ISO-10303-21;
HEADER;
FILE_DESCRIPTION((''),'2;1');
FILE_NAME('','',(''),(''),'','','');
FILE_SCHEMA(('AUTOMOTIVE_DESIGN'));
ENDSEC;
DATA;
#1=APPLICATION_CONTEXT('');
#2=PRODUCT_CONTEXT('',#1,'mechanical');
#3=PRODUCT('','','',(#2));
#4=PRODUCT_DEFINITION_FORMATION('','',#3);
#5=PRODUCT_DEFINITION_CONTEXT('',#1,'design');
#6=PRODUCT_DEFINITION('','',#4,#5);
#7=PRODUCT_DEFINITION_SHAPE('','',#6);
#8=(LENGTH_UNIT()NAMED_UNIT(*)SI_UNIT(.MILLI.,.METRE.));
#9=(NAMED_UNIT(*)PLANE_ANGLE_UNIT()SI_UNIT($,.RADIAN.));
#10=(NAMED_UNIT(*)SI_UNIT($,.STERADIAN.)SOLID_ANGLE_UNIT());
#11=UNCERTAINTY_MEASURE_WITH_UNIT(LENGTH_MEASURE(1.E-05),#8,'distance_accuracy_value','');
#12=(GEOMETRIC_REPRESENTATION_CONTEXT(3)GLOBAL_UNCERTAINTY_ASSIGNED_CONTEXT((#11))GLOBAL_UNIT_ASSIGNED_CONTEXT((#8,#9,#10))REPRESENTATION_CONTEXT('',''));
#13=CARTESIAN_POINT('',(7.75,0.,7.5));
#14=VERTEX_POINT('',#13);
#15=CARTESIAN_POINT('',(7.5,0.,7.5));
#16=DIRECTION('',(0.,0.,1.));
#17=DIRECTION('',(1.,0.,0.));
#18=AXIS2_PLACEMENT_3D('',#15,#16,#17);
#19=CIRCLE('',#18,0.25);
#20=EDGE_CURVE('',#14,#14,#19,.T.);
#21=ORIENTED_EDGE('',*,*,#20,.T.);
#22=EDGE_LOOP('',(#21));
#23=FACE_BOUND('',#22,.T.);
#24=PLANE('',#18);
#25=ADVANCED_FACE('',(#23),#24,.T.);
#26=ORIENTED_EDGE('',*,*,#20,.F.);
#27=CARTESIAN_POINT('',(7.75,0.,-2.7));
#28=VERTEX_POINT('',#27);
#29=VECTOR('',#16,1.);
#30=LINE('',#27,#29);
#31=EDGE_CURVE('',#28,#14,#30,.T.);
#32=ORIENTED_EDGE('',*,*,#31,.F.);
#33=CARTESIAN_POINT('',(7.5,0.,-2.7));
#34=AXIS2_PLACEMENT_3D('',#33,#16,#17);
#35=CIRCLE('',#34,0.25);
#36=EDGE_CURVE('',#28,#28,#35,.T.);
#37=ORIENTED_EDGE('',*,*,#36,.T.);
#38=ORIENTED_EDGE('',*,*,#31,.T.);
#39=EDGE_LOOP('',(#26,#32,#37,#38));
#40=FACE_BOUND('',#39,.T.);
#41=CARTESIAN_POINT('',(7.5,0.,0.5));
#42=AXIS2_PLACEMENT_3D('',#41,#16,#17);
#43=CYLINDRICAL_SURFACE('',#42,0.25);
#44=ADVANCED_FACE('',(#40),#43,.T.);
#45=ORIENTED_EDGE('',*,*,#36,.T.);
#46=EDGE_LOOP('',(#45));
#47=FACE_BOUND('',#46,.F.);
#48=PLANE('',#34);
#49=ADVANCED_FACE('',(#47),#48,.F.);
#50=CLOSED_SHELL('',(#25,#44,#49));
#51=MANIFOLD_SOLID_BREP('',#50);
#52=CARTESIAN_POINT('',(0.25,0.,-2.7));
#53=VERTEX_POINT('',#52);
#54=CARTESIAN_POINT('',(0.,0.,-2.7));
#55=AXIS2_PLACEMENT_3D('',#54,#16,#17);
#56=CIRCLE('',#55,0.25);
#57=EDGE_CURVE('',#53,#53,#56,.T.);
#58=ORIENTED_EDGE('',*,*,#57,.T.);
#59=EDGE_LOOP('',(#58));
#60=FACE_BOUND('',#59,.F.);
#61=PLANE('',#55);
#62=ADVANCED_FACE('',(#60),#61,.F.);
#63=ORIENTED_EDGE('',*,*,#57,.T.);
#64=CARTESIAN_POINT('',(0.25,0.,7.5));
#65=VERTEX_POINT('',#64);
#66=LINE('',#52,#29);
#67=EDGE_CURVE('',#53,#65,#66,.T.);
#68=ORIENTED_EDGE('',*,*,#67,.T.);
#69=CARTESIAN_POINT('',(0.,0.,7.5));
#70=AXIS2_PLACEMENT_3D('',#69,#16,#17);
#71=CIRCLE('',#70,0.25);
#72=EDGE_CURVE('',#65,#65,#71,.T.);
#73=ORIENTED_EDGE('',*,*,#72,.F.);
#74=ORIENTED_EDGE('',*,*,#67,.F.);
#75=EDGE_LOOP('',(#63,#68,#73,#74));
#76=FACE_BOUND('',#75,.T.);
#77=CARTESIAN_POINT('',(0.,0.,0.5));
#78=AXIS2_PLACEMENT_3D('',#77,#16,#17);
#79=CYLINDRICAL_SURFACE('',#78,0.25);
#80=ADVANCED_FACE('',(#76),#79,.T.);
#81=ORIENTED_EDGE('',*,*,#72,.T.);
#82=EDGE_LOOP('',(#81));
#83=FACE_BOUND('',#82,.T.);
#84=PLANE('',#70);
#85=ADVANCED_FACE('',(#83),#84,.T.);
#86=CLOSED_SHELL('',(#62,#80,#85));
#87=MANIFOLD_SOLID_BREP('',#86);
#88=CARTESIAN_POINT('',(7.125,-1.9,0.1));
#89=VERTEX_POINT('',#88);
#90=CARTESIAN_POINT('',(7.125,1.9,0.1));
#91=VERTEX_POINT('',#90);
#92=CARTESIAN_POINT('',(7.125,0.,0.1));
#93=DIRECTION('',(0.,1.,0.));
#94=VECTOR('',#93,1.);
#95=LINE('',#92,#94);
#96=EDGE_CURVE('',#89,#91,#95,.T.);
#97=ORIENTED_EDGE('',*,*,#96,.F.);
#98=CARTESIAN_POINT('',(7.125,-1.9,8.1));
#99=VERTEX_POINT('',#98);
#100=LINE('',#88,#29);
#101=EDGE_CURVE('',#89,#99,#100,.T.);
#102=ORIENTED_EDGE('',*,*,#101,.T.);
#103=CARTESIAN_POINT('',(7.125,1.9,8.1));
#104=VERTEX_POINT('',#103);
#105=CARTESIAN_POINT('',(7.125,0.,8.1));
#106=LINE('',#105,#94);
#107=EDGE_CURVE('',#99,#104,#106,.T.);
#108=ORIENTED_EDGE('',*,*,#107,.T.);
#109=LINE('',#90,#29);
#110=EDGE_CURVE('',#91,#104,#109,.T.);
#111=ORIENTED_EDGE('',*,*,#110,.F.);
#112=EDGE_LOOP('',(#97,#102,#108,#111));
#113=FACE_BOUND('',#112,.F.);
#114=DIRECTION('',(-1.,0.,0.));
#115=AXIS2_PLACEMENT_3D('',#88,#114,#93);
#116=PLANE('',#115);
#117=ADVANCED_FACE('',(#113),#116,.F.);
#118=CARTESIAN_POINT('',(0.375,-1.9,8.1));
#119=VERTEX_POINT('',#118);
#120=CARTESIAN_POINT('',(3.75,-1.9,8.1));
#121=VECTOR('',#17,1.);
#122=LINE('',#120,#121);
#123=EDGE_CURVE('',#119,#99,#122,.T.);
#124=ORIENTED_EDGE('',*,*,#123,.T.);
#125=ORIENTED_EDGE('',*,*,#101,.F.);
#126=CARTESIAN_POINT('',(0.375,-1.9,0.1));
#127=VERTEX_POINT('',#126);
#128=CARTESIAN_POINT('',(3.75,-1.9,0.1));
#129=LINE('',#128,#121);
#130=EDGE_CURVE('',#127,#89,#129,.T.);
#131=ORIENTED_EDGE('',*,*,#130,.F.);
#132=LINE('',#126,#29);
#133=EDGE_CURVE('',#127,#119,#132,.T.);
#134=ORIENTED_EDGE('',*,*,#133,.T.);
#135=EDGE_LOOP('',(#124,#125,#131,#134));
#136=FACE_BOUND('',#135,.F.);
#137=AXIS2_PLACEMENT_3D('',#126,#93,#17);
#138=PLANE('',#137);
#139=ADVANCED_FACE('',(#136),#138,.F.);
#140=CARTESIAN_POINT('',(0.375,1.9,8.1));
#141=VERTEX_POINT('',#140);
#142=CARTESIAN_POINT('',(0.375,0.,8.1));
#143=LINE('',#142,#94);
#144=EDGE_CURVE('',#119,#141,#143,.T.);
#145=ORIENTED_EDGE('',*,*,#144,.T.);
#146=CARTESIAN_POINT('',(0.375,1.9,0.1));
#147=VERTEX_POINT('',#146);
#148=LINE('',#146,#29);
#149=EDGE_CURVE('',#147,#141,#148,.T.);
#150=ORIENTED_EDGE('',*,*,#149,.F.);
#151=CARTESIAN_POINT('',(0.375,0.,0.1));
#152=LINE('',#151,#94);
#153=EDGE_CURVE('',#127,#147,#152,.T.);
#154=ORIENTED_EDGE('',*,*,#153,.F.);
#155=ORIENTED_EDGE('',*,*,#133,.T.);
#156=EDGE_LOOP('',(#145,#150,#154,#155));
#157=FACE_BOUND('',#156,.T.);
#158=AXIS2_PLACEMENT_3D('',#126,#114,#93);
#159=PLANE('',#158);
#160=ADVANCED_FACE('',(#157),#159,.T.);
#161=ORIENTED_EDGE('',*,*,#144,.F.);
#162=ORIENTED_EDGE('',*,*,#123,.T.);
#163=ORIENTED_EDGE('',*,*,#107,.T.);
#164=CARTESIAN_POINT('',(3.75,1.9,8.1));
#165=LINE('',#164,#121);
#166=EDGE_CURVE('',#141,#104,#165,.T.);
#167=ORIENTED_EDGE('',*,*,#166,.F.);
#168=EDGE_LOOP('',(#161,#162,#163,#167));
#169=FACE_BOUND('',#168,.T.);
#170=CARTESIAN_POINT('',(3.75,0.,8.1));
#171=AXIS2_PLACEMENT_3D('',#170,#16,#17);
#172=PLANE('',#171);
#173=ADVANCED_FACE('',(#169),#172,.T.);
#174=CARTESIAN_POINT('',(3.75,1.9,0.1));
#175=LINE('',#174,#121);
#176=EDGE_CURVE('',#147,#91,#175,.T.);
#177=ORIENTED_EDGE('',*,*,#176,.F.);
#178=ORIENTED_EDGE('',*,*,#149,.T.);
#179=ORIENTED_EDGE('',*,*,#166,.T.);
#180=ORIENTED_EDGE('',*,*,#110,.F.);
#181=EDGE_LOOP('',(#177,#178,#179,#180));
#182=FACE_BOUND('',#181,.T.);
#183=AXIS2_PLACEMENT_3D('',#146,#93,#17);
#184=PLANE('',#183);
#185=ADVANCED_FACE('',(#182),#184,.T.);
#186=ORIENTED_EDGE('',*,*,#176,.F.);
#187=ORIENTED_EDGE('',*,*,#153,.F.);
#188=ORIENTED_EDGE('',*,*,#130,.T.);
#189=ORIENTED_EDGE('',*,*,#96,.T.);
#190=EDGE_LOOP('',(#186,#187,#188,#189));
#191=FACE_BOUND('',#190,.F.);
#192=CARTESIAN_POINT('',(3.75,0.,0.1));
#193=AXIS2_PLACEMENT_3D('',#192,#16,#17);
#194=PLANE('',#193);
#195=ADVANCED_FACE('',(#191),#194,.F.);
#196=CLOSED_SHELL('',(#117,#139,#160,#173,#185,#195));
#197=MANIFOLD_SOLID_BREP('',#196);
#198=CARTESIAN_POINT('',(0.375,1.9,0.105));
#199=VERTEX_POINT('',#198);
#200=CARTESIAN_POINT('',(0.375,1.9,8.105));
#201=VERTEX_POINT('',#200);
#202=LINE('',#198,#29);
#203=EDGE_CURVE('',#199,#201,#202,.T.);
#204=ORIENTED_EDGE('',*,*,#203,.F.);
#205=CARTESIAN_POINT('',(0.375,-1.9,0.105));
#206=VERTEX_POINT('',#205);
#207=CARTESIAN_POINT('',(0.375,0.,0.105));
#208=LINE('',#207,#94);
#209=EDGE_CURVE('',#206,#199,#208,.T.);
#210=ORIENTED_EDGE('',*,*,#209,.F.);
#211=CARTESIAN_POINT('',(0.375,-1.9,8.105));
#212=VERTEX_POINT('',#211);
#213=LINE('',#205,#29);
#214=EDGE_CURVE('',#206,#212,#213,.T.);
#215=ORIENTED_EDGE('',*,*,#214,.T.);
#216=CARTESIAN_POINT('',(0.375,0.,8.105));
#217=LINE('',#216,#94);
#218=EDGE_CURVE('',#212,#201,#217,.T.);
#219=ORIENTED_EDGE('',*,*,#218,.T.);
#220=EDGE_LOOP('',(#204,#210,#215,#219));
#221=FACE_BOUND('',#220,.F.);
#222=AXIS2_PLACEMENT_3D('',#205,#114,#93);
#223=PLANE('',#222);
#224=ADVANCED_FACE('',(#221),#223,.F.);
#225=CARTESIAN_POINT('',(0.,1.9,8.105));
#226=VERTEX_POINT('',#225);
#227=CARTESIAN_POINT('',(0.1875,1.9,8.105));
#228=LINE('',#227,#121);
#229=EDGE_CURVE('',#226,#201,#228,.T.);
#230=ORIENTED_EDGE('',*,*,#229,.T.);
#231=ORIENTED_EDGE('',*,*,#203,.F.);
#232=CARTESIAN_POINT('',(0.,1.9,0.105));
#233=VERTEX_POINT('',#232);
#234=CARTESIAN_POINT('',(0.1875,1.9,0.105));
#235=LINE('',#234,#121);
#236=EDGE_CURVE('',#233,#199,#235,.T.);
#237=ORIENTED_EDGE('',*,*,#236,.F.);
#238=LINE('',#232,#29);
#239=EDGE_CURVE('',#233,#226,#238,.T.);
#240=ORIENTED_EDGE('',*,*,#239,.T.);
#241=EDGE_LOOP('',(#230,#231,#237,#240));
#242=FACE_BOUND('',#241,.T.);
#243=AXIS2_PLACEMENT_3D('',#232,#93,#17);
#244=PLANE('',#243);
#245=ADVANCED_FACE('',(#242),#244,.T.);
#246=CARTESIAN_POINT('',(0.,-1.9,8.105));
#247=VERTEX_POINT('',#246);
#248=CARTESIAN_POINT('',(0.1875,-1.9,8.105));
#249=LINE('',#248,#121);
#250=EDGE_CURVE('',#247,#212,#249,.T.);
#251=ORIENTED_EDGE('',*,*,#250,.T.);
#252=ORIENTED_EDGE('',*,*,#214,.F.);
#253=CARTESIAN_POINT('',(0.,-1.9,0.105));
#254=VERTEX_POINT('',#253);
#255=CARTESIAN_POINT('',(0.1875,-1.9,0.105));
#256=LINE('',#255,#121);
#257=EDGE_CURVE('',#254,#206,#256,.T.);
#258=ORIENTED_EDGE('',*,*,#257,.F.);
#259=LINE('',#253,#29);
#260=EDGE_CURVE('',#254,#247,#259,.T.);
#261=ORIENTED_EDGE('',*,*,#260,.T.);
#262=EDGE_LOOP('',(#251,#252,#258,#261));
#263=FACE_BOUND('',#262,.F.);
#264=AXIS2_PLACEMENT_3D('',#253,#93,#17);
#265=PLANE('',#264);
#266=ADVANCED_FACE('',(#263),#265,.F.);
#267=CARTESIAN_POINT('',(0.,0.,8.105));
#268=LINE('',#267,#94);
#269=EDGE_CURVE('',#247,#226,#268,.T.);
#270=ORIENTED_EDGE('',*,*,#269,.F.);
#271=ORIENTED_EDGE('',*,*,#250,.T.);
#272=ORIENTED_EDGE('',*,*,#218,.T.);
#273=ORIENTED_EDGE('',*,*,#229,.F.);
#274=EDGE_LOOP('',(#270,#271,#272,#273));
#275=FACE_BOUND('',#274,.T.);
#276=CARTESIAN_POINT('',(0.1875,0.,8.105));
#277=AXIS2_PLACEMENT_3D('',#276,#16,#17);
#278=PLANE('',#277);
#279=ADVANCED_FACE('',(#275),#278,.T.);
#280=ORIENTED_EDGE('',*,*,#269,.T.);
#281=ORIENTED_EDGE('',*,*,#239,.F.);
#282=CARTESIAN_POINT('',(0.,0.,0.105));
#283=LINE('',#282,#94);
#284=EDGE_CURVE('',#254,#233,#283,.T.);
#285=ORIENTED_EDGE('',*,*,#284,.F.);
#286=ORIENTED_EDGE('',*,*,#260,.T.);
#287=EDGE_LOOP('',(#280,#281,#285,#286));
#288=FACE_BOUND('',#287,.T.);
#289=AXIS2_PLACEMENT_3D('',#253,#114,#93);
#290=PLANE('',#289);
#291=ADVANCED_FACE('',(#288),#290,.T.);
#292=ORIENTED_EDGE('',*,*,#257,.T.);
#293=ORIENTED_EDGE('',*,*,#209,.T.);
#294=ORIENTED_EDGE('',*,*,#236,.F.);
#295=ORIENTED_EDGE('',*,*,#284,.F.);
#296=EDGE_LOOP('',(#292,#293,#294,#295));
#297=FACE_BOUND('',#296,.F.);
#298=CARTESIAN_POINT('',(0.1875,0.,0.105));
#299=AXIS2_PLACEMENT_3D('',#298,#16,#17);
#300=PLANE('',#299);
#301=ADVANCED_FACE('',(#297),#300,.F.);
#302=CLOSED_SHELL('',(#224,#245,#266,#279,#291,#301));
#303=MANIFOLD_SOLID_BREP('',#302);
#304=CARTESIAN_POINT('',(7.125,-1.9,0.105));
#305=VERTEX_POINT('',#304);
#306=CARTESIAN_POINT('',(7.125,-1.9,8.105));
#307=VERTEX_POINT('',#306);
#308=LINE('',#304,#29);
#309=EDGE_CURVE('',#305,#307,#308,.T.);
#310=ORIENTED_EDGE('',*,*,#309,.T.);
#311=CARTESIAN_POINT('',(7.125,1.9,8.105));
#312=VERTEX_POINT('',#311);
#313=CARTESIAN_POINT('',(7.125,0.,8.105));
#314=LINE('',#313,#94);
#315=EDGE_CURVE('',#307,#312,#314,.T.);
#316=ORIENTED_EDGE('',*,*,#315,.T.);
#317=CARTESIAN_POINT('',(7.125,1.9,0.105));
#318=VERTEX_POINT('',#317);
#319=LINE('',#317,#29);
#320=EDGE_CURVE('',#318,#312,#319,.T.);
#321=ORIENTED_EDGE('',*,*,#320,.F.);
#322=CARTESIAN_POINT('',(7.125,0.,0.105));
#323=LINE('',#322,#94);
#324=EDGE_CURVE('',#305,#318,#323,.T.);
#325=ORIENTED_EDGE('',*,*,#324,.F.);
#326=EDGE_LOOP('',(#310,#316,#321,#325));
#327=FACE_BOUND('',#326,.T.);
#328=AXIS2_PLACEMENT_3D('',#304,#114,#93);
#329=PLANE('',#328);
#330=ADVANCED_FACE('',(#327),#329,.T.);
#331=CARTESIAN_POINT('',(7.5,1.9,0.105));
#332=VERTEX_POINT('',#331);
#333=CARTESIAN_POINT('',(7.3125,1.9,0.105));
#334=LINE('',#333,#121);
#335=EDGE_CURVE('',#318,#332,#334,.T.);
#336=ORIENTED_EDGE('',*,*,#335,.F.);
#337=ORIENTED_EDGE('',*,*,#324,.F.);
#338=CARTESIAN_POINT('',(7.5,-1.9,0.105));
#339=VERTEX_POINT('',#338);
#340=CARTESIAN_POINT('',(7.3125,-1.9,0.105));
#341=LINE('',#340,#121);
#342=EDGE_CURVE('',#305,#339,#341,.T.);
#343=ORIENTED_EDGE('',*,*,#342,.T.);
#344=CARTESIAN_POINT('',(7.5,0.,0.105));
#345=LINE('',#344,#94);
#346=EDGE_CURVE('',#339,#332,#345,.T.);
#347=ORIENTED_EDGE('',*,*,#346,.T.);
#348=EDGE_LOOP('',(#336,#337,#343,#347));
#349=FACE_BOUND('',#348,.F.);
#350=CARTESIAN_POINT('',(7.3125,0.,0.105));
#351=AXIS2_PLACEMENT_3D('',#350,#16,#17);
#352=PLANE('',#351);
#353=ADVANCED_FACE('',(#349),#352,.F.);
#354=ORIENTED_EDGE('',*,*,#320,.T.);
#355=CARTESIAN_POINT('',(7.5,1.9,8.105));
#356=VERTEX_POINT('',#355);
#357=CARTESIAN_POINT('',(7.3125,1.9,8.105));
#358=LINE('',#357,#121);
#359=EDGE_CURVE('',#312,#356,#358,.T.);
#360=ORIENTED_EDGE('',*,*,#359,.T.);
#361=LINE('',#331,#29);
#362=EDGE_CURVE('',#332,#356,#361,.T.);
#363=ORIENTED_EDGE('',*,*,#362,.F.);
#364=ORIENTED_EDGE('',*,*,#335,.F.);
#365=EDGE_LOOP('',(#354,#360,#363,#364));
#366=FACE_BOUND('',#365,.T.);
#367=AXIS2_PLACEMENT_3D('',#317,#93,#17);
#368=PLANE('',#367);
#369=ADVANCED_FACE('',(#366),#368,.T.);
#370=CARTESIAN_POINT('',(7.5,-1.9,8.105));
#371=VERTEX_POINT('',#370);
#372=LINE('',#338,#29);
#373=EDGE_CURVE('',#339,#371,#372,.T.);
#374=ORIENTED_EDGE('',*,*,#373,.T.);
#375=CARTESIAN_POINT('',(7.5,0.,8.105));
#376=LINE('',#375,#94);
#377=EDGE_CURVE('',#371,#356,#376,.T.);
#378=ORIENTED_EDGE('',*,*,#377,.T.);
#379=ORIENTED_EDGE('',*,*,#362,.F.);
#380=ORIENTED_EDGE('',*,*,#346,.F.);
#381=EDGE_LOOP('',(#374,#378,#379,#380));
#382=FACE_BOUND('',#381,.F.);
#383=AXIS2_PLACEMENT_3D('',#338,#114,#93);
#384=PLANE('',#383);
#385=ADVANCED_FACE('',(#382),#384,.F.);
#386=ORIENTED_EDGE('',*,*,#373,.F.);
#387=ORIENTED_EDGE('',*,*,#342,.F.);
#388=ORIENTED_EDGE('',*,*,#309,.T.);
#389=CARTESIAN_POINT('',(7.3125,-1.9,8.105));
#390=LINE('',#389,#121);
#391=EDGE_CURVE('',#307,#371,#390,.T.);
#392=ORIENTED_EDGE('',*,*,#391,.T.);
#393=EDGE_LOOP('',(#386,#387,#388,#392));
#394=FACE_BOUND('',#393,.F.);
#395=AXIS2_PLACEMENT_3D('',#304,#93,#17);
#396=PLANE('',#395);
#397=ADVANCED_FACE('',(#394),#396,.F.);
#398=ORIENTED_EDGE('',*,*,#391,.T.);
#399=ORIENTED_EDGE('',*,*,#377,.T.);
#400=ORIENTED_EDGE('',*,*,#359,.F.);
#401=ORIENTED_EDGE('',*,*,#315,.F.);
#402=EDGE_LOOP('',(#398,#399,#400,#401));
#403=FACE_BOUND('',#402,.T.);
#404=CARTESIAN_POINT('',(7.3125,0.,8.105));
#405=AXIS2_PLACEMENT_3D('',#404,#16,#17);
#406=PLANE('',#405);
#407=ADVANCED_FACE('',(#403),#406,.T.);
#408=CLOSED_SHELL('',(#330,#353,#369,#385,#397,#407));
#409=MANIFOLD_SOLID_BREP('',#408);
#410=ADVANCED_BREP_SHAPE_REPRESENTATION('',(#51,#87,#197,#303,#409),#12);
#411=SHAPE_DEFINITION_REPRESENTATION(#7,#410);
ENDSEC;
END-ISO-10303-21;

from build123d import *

# Parameters (mm, degrees)
SKETCH_W          = 6.75
SKETCH_H          = 3.8
PAD_DEPTH         = 8
SKETCH001_R       = 0.25
PAD001_DEPTH      = 7
PAD001_DEPTH_BACK = 3.2
SKETCH002_W       = 0.375
SKETCH002_H       = 3.8
PAD002_DEPTH      = 8


with BuildPart() as pad:
    # Sketch → Pad (new body)
    with BuildSketch(Plane.XY.offset(0.1)):
        with Locations((3.75, 0)):
            Rectangle(SKETCH_W, SKETCH_H)
    extrude(amount=PAD_DEPTH)


with BuildPart() as pad001:
    # Sketch001 → Pad001 (new body, two sides)
    with BuildSketch(Plane.XY.offset(0.5)) as pad001_sk:
        Circle(SKETCH001_R)
        with Locations((7.5, 0)):
            Circle(SKETCH001_R)
    extrude(amount=PAD001_DEPTH)
    extrude(pad001_sk.sketch, amount=-PAD001_DEPTH_BACK)


with BuildPart() as pad002:
    # Sketch002 → Pad002 (new body)
    with BuildSketch(Plane.XY.offset(0.105)):
        with Locations((0.1875, 0)):
            Rectangle(SKETCH002_W, SKETCH002_H)
        with Locations((7.3125, 0)):
            Rectangle(SKETCH002_W, SKETCH002_H)
    extrude(amount=PAD002_DEPTH)


solid = Compound([pad.part, pad001.part, pad002.part])
